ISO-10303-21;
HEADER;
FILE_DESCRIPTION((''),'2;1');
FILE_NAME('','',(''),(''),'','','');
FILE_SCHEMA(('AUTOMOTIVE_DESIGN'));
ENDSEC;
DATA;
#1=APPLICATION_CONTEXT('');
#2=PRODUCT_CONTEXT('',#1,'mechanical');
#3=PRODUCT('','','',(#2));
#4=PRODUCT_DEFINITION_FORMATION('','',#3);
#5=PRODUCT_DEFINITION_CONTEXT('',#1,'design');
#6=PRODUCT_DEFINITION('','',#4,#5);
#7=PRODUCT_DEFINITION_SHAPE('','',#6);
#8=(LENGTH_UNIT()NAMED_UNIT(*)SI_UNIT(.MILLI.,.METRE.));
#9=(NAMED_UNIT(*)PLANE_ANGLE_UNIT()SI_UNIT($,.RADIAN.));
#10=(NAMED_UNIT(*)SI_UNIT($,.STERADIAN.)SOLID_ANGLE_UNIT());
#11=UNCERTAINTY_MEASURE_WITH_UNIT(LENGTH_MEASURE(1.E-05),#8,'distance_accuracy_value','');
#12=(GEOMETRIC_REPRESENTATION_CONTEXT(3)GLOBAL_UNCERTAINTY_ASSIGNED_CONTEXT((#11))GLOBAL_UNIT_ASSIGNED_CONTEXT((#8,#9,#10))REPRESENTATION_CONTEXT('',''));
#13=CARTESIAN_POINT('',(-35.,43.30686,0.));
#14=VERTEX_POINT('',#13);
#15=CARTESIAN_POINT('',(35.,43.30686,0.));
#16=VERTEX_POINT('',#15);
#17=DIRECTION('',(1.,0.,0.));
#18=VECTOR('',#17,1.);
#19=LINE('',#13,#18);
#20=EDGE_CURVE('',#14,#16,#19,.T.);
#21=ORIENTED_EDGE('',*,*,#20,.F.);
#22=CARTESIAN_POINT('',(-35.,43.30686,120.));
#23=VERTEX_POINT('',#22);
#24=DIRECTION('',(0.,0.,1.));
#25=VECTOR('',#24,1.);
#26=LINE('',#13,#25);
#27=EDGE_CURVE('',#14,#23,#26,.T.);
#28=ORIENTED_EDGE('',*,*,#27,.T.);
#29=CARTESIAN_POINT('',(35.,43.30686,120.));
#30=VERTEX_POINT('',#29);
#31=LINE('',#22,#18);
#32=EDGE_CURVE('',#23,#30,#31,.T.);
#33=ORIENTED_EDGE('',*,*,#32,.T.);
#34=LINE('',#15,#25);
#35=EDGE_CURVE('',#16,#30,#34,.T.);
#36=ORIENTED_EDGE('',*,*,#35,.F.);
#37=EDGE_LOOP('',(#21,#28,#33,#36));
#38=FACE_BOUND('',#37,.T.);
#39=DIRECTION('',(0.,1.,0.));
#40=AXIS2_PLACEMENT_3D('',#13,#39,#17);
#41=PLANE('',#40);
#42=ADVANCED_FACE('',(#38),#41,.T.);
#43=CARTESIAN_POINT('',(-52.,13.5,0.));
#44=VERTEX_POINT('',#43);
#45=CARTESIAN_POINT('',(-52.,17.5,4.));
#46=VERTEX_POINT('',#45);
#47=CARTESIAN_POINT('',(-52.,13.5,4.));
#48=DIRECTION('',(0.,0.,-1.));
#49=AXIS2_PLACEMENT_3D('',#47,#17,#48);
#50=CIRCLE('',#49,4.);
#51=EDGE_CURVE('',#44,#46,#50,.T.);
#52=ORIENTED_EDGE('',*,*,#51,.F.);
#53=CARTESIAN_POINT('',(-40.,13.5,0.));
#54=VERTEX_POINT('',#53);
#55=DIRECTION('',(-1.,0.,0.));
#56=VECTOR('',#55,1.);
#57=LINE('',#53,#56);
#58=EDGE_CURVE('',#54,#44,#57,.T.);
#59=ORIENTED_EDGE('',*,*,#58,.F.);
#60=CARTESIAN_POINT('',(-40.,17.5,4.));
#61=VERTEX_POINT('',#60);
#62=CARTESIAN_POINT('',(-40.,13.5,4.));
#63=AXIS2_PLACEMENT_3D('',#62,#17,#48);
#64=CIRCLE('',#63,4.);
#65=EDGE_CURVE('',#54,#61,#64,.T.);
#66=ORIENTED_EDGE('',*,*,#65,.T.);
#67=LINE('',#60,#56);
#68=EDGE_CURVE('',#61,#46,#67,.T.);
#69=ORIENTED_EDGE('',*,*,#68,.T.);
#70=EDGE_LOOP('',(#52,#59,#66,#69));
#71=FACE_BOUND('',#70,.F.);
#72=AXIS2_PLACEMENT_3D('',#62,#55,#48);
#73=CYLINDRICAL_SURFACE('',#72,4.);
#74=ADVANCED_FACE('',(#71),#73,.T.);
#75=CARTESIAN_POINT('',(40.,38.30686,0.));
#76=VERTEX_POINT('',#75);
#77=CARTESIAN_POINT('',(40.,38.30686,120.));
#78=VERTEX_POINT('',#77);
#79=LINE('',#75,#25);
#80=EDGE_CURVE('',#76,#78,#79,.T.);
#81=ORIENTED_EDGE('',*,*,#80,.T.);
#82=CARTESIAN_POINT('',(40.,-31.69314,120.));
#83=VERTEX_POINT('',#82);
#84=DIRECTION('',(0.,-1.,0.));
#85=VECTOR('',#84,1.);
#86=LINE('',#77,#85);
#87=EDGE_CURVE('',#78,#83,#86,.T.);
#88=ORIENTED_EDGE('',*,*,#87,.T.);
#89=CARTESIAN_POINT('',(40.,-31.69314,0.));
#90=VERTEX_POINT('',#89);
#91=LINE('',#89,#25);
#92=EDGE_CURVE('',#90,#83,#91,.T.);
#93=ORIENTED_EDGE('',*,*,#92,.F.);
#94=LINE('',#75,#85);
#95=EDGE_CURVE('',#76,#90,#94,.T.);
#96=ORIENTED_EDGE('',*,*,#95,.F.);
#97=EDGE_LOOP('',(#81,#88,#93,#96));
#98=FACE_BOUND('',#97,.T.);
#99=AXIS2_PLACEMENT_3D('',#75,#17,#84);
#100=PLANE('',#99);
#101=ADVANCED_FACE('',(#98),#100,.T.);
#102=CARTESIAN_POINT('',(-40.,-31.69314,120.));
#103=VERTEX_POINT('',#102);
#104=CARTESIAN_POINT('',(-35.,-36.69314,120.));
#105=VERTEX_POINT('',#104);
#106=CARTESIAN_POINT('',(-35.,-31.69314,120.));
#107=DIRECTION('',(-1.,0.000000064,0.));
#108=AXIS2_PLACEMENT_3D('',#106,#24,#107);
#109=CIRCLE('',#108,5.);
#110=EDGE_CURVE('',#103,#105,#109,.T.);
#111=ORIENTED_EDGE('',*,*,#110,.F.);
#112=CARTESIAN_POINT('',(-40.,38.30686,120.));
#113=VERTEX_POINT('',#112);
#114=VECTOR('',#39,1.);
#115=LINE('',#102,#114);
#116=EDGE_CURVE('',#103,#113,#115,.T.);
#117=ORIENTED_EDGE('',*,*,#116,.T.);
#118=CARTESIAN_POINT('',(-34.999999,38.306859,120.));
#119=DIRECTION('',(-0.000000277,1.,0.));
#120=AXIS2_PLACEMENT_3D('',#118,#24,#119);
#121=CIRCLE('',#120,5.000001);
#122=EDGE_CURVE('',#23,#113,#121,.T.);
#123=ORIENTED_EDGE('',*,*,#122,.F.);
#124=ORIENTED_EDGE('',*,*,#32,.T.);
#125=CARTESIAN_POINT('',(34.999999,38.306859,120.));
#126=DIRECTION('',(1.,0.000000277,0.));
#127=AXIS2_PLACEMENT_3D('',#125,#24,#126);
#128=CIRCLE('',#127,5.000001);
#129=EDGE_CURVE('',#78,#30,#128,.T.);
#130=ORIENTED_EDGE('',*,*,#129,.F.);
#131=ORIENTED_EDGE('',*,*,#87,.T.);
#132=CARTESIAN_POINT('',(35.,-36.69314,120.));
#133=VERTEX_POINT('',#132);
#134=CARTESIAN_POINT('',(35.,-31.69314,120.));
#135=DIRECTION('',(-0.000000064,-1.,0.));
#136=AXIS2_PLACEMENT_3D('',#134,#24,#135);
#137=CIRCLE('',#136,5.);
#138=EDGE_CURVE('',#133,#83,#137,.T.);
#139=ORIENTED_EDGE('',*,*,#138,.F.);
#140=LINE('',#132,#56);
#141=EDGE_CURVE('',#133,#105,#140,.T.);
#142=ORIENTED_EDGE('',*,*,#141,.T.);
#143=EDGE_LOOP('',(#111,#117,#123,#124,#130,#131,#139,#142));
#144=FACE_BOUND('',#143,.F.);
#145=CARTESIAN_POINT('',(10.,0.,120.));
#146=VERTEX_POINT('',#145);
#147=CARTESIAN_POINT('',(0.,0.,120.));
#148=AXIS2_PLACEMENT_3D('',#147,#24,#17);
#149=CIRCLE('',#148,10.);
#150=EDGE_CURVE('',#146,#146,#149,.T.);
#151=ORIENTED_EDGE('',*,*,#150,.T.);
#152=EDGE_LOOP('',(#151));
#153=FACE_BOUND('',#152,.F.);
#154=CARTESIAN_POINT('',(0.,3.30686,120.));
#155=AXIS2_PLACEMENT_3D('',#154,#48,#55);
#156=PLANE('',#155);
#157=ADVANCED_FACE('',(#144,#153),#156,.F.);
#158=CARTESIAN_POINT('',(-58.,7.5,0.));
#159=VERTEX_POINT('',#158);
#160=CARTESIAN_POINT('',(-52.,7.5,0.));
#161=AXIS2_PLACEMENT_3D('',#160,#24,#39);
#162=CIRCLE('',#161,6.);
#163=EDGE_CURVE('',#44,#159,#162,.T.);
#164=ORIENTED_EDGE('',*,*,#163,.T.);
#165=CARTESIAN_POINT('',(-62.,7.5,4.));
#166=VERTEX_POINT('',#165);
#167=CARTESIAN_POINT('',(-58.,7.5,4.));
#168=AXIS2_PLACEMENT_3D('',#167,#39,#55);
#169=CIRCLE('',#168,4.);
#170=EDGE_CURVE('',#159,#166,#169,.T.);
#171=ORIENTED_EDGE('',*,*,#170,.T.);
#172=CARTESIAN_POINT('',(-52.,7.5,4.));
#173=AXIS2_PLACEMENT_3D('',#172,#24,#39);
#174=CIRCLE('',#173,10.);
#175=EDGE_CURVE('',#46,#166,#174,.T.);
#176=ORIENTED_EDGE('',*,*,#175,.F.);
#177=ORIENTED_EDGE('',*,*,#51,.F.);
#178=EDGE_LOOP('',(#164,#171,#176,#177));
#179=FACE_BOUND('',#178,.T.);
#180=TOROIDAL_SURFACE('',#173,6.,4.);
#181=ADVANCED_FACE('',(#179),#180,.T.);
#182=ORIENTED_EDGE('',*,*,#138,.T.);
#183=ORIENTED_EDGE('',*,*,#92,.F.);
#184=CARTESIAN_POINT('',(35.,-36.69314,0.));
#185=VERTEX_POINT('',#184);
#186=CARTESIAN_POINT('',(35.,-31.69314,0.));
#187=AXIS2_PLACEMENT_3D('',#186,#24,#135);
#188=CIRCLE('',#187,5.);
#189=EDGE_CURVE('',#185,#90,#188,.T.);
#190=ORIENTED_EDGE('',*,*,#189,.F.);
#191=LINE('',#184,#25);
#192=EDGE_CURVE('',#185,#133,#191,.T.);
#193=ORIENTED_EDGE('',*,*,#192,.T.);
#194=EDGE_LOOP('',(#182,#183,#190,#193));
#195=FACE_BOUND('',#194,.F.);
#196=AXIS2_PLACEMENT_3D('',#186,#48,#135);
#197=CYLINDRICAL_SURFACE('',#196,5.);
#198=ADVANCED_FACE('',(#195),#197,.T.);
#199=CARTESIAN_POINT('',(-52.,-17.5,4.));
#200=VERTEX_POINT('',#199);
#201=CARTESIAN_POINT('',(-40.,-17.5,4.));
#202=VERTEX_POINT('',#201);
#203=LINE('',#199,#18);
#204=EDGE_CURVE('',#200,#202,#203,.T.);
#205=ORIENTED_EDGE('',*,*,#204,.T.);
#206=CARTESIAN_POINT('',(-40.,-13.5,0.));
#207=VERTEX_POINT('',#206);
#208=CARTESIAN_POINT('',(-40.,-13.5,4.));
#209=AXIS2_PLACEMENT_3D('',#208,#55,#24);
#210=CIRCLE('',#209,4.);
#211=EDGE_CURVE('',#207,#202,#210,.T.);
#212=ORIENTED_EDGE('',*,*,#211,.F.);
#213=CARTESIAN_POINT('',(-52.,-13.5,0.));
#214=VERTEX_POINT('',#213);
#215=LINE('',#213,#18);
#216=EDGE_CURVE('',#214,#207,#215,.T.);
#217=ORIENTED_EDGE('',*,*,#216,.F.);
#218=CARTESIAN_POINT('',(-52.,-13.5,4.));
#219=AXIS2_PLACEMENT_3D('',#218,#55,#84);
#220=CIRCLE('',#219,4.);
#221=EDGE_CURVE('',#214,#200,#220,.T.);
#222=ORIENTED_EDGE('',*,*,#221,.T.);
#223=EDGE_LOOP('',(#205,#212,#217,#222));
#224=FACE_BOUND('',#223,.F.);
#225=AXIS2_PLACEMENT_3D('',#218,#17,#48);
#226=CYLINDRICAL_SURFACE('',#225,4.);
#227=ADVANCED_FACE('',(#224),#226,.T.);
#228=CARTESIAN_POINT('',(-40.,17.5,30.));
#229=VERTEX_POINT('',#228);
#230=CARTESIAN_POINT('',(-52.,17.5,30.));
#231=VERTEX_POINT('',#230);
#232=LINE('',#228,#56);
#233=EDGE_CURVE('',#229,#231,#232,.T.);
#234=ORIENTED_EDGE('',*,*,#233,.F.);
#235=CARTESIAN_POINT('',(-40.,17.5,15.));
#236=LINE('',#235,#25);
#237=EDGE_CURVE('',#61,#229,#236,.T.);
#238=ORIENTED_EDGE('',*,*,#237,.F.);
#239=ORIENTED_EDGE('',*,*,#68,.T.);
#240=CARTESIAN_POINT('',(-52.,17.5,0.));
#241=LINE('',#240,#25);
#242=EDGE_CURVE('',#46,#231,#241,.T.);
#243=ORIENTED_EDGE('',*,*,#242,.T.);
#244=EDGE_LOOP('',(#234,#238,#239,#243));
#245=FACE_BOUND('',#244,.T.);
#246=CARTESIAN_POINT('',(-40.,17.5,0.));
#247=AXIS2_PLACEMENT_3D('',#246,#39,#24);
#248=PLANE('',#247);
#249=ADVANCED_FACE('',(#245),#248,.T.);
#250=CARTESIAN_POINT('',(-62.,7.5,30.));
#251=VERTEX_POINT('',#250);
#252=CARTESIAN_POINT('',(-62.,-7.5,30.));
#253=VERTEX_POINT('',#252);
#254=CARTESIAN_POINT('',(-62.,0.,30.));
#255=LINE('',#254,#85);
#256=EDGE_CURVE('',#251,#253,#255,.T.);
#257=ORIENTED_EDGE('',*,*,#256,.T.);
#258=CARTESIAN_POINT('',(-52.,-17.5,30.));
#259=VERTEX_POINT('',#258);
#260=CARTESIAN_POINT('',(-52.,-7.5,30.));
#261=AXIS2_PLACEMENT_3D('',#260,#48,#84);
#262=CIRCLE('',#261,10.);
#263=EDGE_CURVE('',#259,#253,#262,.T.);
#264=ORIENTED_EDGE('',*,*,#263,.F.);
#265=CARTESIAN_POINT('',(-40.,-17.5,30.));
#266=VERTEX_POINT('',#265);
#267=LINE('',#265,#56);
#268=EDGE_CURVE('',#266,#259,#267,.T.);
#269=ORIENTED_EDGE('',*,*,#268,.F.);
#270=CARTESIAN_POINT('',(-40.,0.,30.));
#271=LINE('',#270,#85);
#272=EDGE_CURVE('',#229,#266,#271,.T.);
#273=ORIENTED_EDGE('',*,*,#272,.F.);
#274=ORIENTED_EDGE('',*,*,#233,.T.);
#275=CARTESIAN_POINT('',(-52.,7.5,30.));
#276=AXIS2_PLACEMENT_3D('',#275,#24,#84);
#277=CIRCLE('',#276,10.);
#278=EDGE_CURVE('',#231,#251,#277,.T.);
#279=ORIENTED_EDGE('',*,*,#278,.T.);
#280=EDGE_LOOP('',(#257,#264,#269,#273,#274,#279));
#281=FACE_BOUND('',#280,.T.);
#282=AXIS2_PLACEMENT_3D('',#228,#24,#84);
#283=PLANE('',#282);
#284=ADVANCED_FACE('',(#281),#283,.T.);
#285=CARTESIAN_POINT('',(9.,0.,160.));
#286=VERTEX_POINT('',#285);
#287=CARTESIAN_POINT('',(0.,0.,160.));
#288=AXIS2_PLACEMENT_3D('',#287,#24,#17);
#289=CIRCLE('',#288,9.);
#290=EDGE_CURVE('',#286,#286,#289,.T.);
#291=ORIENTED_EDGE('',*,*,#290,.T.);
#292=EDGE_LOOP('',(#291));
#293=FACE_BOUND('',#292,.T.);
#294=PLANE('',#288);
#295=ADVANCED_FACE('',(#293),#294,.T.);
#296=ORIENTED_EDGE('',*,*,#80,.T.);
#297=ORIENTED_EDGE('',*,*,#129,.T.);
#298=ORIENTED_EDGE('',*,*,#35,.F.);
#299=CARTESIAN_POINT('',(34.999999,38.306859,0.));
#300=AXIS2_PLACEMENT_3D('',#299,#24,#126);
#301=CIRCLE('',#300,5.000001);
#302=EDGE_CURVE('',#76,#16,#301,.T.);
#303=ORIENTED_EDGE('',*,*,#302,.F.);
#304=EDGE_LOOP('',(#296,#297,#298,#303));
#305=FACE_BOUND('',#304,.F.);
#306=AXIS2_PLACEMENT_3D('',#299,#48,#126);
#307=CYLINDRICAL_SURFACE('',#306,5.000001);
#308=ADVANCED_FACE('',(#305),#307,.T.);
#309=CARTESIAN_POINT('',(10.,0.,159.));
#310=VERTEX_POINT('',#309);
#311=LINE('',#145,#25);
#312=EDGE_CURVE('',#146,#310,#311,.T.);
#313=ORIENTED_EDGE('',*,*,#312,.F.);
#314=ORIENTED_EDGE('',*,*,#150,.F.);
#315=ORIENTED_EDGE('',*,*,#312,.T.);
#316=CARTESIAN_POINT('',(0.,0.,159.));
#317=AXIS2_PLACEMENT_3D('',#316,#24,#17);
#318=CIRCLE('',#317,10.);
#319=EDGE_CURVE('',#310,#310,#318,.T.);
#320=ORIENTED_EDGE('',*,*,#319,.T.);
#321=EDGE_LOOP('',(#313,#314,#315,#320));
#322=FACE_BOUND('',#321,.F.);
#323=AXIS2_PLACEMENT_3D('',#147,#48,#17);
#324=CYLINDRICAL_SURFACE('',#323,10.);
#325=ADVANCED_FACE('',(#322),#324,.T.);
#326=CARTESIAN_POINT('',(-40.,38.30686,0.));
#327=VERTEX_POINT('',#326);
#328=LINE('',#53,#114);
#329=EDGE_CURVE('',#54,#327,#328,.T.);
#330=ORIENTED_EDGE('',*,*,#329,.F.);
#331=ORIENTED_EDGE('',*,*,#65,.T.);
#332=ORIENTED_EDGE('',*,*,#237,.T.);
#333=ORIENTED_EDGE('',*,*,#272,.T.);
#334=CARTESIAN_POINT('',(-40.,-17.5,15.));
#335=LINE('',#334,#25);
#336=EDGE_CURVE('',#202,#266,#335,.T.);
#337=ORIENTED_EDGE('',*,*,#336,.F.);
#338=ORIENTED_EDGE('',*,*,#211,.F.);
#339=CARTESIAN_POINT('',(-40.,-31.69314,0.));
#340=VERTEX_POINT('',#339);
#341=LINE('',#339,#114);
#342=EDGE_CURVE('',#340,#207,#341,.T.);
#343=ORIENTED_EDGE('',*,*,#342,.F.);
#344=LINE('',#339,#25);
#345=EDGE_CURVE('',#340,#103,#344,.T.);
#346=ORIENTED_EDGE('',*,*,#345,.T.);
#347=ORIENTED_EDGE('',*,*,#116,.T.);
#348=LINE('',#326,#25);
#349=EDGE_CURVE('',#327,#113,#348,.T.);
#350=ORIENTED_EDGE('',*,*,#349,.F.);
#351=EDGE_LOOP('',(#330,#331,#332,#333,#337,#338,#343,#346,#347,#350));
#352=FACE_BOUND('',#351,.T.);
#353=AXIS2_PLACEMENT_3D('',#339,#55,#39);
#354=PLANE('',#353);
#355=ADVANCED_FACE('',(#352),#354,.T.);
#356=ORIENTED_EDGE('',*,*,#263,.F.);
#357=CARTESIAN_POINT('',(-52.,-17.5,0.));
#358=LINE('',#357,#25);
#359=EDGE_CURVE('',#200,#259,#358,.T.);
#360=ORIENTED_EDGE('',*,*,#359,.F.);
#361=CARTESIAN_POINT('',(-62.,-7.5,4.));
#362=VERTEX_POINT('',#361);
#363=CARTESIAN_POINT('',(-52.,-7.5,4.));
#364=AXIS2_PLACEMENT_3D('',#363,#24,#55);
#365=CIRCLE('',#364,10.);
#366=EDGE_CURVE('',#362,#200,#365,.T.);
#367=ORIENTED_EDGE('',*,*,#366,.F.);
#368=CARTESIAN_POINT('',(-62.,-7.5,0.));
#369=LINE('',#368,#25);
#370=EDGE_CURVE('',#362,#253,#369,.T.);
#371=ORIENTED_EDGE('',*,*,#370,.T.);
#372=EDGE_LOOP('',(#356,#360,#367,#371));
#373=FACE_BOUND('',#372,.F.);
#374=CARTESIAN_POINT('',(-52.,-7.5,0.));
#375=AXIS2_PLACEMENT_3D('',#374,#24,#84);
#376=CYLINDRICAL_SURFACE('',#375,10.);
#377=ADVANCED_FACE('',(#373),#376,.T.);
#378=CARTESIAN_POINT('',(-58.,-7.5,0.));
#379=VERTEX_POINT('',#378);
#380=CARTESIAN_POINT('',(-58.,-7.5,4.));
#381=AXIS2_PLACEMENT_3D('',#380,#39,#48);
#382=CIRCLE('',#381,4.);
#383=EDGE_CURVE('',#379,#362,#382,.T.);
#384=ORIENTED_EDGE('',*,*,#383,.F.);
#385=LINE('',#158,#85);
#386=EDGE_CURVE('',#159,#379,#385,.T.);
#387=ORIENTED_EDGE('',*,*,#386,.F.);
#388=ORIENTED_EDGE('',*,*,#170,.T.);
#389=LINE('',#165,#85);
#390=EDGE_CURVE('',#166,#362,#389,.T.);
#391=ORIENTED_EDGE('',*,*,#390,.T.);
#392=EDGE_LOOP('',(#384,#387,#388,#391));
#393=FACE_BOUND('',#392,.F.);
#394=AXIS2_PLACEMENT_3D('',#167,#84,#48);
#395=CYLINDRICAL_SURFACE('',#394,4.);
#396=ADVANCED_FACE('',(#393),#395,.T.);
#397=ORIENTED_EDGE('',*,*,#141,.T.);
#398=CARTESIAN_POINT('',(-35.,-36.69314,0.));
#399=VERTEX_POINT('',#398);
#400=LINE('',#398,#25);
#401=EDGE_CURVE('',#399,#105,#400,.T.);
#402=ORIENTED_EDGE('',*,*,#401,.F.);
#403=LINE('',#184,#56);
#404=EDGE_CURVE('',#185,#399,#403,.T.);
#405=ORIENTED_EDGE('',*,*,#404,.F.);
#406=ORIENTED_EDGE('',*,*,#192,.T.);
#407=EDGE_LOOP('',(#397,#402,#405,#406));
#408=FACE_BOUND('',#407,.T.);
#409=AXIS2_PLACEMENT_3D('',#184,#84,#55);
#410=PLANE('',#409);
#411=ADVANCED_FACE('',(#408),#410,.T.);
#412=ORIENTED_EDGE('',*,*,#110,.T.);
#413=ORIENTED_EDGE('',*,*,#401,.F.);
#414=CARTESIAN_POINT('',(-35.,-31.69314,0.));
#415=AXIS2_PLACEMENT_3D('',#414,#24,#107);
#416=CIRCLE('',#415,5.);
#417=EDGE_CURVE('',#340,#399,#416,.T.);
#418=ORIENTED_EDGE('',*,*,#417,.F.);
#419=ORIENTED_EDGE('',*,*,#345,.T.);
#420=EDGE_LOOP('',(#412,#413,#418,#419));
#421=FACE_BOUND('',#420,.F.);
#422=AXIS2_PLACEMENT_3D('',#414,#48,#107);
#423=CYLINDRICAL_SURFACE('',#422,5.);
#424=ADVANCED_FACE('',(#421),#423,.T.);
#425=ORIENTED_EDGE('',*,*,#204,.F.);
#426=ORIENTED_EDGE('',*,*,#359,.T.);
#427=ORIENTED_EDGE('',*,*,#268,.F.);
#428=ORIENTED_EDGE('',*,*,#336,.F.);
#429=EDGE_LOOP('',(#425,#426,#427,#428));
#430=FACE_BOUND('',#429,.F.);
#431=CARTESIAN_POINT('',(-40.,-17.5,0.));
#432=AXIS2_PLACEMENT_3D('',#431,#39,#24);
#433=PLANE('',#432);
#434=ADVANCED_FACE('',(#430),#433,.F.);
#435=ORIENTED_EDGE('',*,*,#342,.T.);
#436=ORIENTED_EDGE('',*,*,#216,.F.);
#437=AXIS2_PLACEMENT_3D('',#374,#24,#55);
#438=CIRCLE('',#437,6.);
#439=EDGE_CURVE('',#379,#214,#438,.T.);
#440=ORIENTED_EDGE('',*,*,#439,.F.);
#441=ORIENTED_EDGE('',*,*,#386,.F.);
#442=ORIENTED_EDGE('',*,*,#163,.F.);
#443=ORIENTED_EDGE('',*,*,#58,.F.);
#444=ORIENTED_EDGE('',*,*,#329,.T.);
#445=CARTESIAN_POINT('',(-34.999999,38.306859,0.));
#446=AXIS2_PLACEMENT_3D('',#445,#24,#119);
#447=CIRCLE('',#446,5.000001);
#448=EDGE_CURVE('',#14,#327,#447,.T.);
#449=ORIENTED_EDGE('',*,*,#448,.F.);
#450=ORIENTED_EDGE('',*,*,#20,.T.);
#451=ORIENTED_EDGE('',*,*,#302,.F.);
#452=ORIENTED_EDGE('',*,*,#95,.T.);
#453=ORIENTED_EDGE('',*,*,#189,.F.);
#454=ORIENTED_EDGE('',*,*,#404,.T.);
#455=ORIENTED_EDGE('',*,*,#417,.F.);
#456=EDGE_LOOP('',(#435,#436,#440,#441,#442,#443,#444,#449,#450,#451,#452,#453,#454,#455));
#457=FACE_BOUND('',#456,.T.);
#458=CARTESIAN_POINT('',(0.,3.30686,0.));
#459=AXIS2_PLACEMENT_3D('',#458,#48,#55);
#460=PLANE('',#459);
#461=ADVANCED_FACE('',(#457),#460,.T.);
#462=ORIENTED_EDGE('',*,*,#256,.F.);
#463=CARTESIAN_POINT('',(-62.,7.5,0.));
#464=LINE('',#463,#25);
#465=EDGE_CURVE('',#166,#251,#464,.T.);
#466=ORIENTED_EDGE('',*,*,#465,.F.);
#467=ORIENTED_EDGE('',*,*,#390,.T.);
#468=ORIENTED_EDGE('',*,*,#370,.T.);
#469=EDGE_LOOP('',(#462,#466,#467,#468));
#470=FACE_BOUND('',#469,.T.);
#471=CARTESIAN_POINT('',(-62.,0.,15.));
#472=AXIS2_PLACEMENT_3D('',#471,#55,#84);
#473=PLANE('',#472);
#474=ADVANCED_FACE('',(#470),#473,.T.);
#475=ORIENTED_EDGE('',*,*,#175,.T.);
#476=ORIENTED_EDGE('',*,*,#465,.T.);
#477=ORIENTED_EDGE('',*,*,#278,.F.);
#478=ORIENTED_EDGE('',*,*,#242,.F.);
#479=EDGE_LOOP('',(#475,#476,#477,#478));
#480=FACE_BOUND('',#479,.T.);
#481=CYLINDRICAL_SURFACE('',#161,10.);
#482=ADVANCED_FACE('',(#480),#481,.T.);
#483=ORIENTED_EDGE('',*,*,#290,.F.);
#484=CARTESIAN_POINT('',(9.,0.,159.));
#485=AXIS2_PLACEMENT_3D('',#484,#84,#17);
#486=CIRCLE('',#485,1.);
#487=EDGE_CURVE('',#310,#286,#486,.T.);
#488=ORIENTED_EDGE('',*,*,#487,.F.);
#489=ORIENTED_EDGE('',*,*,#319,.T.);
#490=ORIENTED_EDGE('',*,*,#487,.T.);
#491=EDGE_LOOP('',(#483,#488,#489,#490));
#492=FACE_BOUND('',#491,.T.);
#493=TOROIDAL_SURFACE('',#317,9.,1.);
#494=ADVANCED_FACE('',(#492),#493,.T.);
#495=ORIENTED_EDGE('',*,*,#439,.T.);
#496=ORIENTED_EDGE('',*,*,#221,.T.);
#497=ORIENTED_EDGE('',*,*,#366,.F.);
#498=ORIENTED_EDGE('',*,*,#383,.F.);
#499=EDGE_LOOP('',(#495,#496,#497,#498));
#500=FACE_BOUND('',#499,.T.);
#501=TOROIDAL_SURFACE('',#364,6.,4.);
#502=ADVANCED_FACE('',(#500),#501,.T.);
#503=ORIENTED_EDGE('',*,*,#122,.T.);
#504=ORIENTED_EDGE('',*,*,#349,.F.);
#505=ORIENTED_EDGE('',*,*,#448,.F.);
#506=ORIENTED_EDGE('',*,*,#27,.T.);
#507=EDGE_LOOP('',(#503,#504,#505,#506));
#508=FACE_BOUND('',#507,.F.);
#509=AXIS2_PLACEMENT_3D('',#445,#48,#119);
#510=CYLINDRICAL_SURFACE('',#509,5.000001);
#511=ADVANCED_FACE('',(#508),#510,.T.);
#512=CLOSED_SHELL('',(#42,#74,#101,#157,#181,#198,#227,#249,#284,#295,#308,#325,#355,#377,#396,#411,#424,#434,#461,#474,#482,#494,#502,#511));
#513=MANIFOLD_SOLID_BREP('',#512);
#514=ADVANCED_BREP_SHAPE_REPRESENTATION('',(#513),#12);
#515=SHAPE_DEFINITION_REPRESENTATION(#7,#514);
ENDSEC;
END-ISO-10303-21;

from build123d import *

# Parameters (mm, degrees)
PAD_DEPTH    = 120
SKETCH001_R  = 10
PAD001_DEPTH = 40
FILLET_R     = 1
SKETCH002_W  = 35
SKETCH002_H  = 30
PAD002_DEPTH = 22
FILLET001_R  = 10
FILLET002_R  = 4


with BuildPart() as part:
    # Sketch → Pad (new body)
    with BuildSketch(Plane.XY):
        with BuildLine():
            Line((-35, 43.30686), (35, 43.30686))
            ThreePointArc((40, 38.30686), (38.535534, 41.842393), (35, 43.30686))
            Line((40, 38.30686), (40, -31.69314))
            ThreePointArc((35, -36.69314), (38.535534, -35.228674), (40, -31.69314))
            Line((35, -36.69314), (-35, -36.69314))
            ThreePointArc((-40, -31.69314), (-38.535534, -35.228674), (-35, -36.69314))
            Line((-40, -31.69314), (-40, 38.30686))
            ThreePointArc((-35, 43.30686), (-38.535534, 41.842393), (-40, 38.30686))
        make_face()
    extrude(amount=PAD_DEPTH)

    # Sketch001 (on Face10 of Pad) → Pad001 (join)
    with BuildSketch(Plane.XY.offset(120)):
        Circle(SKETCH001_R)
    extrude(amount=PAD001_DEPTH)

    # Fillet
    fillet_edges = [part.edges().sort_by_distance(p)[0] for p in [
        (-10, 0, 160),
    ]]
    fillet(fillet_edges, radius=FILLET_R)

    # Sketch002 (on Face8 of Fillet) → Pad002 (join)
    with BuildSketch(Plane(origin=(-40, 0, 0), x_dir=(0, -1, 0), z_dir=(-1, 0, 0))):
        with Locations((0, 15)):
            Rectangle(SKETCH002_W, SKETCH002_H)
    extrude(amount=PAD002_DEPTH)

    # Fillet001
    fillet001_edges = [part.edges().sort_by_distance(p)[0] for p in [
        (-62, 17.5, 15),
        (-62, -17.5, 15),
    ]]
    fillet(fillet001_edges, radius=FILLET001_R)

    # Fillet002
    fillet002_edges = [part.edges().sort_by_distance(p)[0] for p in [
        (-62, 0, 0),
    ]]
    fillet(fillet002_edges, radius=FILLET002_R)


solid = part.part
